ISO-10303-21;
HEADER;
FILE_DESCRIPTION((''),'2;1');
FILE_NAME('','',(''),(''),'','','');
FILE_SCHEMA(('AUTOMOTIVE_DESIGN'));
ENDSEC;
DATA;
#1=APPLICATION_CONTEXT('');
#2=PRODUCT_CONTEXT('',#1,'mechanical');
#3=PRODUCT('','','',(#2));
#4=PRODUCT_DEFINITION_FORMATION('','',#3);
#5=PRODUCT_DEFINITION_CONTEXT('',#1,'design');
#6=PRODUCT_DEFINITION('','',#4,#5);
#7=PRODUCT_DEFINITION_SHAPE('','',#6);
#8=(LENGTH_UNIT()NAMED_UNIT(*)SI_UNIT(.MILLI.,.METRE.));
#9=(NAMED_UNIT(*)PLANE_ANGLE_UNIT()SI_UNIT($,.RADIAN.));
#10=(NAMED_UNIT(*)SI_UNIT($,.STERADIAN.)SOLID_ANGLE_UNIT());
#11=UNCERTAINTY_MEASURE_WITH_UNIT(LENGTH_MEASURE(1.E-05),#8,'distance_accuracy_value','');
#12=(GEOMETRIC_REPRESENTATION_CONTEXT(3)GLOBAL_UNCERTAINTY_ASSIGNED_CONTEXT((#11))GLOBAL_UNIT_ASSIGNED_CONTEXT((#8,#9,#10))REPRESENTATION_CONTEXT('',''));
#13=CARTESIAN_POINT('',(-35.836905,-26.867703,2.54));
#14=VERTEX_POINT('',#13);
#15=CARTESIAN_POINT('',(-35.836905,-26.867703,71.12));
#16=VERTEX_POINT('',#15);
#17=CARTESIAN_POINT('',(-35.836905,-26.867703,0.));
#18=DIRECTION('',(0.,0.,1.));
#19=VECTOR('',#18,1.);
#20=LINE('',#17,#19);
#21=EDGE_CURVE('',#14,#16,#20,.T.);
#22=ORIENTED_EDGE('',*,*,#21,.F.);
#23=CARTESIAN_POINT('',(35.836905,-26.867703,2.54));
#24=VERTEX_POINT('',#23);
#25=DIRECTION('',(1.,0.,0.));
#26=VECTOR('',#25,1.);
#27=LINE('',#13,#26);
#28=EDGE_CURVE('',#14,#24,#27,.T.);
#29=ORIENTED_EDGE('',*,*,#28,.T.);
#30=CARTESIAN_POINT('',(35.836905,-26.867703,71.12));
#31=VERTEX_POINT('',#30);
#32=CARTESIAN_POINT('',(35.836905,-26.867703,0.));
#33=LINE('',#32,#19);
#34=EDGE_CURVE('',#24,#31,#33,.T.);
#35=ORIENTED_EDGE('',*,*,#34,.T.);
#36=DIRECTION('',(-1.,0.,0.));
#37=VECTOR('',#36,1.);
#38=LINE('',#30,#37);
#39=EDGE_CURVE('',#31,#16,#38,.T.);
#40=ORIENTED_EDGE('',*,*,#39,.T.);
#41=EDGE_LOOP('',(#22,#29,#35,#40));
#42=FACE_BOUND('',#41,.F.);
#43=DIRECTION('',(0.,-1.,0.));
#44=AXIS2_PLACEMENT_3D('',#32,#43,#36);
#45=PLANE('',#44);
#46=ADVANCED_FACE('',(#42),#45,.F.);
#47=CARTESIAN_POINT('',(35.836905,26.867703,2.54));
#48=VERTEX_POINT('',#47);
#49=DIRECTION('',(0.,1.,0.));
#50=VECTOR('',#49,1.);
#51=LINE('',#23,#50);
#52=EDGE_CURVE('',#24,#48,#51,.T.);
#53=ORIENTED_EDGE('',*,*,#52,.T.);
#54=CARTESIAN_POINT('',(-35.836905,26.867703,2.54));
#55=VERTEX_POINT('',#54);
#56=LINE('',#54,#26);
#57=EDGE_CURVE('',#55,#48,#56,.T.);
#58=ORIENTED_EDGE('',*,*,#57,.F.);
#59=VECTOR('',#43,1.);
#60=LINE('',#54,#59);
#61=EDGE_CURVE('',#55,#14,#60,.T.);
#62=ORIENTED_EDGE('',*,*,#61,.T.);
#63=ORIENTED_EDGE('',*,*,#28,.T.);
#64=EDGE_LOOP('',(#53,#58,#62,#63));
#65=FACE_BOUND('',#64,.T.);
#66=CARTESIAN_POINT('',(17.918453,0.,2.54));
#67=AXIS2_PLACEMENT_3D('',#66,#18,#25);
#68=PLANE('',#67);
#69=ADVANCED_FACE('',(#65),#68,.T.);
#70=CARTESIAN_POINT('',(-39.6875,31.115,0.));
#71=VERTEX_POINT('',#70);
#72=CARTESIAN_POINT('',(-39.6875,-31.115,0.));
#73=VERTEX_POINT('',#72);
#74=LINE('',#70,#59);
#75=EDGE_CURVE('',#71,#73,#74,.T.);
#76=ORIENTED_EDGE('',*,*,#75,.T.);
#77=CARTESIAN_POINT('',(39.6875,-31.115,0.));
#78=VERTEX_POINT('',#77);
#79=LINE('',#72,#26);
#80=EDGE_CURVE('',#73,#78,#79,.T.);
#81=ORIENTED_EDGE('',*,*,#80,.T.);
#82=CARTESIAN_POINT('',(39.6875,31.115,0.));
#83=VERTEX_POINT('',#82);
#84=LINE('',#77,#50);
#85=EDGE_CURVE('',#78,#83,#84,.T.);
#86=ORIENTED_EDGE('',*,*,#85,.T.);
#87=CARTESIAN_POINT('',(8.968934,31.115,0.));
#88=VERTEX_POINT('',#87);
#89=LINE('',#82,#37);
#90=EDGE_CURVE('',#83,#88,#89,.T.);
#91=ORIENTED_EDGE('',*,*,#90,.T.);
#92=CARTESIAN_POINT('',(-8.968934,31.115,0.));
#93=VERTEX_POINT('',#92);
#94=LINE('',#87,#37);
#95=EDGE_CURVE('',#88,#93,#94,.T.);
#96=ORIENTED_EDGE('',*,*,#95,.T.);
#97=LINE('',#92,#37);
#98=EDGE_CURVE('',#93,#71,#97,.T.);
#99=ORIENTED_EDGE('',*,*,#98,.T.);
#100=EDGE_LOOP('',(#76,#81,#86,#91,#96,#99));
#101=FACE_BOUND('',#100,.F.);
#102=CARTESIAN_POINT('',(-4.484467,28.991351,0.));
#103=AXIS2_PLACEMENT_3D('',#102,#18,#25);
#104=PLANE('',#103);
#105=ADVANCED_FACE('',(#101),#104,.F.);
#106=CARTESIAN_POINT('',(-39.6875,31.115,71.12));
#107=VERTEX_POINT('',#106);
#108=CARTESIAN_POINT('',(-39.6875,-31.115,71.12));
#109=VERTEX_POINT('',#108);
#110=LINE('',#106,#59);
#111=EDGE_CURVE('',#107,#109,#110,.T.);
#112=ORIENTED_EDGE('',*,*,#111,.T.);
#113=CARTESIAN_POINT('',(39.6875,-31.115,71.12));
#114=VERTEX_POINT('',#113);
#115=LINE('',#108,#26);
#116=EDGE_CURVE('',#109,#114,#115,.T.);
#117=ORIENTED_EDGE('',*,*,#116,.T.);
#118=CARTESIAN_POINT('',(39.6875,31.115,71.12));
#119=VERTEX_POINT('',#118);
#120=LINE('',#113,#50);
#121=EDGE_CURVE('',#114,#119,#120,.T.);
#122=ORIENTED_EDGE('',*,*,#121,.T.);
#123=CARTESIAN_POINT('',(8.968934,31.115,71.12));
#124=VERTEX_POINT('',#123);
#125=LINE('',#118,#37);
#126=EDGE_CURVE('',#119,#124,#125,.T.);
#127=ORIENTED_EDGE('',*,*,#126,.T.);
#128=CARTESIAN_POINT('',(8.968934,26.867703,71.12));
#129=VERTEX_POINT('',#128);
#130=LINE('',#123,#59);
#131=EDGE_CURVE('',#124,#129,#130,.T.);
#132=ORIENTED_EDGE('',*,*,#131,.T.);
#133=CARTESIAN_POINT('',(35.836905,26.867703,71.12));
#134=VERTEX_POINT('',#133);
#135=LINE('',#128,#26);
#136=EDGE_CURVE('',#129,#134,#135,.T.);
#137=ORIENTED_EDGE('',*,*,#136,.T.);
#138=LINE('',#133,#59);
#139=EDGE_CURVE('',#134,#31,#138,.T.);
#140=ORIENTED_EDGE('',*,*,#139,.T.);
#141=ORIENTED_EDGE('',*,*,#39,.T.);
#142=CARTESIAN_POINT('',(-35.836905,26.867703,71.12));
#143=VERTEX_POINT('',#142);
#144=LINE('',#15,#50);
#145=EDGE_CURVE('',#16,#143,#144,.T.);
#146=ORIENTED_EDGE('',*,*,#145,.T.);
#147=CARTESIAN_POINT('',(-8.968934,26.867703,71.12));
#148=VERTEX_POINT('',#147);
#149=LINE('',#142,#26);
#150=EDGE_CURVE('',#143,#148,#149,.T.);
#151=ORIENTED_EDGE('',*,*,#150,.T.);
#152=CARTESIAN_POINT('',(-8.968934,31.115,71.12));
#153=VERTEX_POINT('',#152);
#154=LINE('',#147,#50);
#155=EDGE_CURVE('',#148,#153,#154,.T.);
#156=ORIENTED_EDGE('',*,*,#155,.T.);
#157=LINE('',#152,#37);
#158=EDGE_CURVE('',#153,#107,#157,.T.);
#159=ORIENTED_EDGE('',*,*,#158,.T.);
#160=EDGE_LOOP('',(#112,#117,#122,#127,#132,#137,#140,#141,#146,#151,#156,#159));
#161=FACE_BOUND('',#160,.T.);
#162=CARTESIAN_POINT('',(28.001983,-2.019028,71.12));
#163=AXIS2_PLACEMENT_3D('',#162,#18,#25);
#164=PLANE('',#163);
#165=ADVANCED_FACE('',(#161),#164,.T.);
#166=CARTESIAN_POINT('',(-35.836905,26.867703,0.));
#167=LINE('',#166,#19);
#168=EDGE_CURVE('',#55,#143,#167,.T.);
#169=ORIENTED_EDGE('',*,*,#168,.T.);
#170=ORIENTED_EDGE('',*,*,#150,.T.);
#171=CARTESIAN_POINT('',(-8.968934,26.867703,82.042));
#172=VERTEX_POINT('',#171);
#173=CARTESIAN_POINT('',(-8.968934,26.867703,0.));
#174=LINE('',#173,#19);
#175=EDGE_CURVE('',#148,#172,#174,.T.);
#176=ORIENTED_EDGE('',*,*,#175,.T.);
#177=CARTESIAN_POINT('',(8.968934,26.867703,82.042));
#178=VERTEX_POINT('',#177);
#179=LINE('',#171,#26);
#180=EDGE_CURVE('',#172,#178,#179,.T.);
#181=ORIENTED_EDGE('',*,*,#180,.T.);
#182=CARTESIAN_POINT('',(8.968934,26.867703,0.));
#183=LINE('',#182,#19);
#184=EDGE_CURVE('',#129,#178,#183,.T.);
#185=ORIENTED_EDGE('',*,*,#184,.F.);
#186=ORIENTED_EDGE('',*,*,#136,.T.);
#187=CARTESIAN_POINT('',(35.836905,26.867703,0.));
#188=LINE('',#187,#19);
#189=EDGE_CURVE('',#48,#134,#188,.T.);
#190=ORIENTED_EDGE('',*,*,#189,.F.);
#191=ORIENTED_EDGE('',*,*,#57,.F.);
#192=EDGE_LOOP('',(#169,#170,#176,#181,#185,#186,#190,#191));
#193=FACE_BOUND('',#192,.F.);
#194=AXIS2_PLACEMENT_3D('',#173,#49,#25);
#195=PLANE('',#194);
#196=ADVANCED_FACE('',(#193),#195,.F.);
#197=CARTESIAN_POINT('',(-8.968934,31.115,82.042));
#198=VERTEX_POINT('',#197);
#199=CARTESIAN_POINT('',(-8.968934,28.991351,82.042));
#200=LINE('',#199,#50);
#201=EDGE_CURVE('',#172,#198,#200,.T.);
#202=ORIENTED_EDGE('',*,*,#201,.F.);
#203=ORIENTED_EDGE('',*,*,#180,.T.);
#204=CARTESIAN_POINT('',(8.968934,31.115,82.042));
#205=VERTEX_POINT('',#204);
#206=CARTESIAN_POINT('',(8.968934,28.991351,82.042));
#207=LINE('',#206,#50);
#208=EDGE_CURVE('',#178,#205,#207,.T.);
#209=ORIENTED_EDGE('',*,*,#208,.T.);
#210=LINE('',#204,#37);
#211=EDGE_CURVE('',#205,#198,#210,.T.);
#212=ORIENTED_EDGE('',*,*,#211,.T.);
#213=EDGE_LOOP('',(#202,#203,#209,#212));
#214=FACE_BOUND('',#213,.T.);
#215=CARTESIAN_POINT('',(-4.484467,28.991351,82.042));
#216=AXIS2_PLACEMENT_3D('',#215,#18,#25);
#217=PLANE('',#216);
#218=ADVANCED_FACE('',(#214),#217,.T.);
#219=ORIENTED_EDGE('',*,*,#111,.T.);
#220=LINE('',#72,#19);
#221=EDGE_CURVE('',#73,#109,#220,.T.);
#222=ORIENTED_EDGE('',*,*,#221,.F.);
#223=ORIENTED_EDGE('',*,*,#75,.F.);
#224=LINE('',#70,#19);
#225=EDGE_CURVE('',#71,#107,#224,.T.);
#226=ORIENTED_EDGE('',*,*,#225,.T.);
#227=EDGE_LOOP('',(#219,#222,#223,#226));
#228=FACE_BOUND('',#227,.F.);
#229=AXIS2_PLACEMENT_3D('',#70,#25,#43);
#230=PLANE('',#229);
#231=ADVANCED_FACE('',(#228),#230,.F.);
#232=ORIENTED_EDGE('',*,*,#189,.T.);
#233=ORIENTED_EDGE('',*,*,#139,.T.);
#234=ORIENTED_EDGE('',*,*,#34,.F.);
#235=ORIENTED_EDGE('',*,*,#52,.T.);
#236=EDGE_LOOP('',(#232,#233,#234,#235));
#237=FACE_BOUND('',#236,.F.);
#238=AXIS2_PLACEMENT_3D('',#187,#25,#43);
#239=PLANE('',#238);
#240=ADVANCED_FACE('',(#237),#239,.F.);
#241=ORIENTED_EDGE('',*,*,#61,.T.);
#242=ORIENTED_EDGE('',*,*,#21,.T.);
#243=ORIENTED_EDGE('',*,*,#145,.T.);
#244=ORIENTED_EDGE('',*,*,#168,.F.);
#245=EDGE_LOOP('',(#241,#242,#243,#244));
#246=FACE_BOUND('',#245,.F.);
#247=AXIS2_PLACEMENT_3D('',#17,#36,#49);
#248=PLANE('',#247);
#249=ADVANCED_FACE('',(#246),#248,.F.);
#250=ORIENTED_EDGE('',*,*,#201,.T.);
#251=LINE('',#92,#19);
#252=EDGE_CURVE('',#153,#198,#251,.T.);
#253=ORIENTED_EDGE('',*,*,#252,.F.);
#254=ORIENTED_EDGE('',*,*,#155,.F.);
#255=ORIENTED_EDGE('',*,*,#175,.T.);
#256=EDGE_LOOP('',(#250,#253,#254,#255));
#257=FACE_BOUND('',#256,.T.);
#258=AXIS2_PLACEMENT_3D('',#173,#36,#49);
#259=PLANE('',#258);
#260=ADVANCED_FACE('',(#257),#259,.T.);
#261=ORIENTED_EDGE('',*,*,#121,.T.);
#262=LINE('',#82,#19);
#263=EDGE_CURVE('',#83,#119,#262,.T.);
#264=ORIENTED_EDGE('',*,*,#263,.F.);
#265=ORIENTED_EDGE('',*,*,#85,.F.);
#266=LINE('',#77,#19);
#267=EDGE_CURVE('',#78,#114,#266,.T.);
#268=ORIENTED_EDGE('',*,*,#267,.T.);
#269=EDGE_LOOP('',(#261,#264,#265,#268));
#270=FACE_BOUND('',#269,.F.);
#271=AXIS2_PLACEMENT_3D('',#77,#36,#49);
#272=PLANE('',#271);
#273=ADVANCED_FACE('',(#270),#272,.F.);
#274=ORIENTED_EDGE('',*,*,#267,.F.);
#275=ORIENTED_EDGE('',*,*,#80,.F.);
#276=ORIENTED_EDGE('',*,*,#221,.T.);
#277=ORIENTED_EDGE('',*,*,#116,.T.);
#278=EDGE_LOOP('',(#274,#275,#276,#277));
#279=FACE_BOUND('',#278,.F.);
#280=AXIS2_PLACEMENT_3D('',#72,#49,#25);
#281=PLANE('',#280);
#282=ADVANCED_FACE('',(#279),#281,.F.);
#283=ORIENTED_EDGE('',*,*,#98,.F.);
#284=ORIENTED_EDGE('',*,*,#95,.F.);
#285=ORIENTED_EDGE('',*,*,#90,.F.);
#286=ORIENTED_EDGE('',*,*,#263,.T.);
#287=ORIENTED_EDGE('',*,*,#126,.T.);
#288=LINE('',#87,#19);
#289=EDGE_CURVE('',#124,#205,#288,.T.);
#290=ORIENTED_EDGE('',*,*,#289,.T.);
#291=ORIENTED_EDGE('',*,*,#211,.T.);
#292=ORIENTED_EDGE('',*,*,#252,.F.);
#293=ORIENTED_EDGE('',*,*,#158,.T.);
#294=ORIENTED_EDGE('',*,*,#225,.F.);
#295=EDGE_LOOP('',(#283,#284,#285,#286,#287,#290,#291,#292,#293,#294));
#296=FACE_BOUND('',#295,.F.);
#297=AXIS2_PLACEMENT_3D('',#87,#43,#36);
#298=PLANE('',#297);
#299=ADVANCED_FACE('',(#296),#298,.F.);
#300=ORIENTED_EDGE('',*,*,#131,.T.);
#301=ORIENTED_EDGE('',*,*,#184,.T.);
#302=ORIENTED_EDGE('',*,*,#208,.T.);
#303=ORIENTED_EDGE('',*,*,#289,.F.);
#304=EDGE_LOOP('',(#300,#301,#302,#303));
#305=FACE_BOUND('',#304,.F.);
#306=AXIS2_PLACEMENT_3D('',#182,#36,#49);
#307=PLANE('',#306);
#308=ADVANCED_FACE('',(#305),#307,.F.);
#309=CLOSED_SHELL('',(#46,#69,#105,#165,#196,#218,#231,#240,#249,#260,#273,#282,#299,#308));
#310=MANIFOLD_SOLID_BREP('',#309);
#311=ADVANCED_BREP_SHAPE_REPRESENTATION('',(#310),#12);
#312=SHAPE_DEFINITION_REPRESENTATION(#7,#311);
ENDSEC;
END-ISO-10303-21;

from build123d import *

# Parameters (mm, degrees)
F1_DEPTH = 71.12
F2_DEPTH = 2.54
F0_W     = 8.9689344168
F0_H     = 4.2472973967
F3_DEPTH = 82.042


with BuildPart() as f1:
    # F0 (on Top) → F1 (new body)
    with BuildSketch(Plane.XY):
        Polygon((39.6875, -31.115), (39.6875, 31.115), (8.9689344168, 31.115), (8.9689344168, 26.8677026033), (35.836905241, 26.8677026033), (35.836905241, -26.8677026033), (0, -26.8677026033), (0, -31.115), align=None)
        Polygon((-39.6875, -31.115), (0, -31.115), (0, -26.8677026033), (-35.836905241, -26.8677026033), (-35.836905241, 26.8677026033), (-8.9689344168, 26.8677026033), (-8.9689344168, 31.115), (-39.6875, 31.115), align=None)
    extrude(amount=F1_DEPTH)

    # F0 (on Top) → F2 (join)
    with BuildSketch(Plane.XY):
        Polygon((35.836905241, 26.8677026033), (8.9689344168, 26.8677026033), (0, 26.8677026033), (0, -26.8677026033), (35.836905241, -26.8677026033), align=None)
        Polygon((0, -26.8677026033), (0, 26.8677026033), (-8.9689344168, 26.8677026033), (-35.836905241, 26.8677026033), (-35.836905241, -26.8677026033), align=None)
    extrude(amount=F2_DEPTH)

    # F0 (on Top) → F3 (join)
    with BuildSketch(Plane.XY):
        with Locations((-4.4844672084, 28.9913513017)):
            Rectangle(F0_W, F0_H)
        with Locations((4.4844672084, 28.9913513017)):
            Rectangle(F0_W, F0_H)
    extrude(amount=F3_DEPTH)


solid = f1.part
